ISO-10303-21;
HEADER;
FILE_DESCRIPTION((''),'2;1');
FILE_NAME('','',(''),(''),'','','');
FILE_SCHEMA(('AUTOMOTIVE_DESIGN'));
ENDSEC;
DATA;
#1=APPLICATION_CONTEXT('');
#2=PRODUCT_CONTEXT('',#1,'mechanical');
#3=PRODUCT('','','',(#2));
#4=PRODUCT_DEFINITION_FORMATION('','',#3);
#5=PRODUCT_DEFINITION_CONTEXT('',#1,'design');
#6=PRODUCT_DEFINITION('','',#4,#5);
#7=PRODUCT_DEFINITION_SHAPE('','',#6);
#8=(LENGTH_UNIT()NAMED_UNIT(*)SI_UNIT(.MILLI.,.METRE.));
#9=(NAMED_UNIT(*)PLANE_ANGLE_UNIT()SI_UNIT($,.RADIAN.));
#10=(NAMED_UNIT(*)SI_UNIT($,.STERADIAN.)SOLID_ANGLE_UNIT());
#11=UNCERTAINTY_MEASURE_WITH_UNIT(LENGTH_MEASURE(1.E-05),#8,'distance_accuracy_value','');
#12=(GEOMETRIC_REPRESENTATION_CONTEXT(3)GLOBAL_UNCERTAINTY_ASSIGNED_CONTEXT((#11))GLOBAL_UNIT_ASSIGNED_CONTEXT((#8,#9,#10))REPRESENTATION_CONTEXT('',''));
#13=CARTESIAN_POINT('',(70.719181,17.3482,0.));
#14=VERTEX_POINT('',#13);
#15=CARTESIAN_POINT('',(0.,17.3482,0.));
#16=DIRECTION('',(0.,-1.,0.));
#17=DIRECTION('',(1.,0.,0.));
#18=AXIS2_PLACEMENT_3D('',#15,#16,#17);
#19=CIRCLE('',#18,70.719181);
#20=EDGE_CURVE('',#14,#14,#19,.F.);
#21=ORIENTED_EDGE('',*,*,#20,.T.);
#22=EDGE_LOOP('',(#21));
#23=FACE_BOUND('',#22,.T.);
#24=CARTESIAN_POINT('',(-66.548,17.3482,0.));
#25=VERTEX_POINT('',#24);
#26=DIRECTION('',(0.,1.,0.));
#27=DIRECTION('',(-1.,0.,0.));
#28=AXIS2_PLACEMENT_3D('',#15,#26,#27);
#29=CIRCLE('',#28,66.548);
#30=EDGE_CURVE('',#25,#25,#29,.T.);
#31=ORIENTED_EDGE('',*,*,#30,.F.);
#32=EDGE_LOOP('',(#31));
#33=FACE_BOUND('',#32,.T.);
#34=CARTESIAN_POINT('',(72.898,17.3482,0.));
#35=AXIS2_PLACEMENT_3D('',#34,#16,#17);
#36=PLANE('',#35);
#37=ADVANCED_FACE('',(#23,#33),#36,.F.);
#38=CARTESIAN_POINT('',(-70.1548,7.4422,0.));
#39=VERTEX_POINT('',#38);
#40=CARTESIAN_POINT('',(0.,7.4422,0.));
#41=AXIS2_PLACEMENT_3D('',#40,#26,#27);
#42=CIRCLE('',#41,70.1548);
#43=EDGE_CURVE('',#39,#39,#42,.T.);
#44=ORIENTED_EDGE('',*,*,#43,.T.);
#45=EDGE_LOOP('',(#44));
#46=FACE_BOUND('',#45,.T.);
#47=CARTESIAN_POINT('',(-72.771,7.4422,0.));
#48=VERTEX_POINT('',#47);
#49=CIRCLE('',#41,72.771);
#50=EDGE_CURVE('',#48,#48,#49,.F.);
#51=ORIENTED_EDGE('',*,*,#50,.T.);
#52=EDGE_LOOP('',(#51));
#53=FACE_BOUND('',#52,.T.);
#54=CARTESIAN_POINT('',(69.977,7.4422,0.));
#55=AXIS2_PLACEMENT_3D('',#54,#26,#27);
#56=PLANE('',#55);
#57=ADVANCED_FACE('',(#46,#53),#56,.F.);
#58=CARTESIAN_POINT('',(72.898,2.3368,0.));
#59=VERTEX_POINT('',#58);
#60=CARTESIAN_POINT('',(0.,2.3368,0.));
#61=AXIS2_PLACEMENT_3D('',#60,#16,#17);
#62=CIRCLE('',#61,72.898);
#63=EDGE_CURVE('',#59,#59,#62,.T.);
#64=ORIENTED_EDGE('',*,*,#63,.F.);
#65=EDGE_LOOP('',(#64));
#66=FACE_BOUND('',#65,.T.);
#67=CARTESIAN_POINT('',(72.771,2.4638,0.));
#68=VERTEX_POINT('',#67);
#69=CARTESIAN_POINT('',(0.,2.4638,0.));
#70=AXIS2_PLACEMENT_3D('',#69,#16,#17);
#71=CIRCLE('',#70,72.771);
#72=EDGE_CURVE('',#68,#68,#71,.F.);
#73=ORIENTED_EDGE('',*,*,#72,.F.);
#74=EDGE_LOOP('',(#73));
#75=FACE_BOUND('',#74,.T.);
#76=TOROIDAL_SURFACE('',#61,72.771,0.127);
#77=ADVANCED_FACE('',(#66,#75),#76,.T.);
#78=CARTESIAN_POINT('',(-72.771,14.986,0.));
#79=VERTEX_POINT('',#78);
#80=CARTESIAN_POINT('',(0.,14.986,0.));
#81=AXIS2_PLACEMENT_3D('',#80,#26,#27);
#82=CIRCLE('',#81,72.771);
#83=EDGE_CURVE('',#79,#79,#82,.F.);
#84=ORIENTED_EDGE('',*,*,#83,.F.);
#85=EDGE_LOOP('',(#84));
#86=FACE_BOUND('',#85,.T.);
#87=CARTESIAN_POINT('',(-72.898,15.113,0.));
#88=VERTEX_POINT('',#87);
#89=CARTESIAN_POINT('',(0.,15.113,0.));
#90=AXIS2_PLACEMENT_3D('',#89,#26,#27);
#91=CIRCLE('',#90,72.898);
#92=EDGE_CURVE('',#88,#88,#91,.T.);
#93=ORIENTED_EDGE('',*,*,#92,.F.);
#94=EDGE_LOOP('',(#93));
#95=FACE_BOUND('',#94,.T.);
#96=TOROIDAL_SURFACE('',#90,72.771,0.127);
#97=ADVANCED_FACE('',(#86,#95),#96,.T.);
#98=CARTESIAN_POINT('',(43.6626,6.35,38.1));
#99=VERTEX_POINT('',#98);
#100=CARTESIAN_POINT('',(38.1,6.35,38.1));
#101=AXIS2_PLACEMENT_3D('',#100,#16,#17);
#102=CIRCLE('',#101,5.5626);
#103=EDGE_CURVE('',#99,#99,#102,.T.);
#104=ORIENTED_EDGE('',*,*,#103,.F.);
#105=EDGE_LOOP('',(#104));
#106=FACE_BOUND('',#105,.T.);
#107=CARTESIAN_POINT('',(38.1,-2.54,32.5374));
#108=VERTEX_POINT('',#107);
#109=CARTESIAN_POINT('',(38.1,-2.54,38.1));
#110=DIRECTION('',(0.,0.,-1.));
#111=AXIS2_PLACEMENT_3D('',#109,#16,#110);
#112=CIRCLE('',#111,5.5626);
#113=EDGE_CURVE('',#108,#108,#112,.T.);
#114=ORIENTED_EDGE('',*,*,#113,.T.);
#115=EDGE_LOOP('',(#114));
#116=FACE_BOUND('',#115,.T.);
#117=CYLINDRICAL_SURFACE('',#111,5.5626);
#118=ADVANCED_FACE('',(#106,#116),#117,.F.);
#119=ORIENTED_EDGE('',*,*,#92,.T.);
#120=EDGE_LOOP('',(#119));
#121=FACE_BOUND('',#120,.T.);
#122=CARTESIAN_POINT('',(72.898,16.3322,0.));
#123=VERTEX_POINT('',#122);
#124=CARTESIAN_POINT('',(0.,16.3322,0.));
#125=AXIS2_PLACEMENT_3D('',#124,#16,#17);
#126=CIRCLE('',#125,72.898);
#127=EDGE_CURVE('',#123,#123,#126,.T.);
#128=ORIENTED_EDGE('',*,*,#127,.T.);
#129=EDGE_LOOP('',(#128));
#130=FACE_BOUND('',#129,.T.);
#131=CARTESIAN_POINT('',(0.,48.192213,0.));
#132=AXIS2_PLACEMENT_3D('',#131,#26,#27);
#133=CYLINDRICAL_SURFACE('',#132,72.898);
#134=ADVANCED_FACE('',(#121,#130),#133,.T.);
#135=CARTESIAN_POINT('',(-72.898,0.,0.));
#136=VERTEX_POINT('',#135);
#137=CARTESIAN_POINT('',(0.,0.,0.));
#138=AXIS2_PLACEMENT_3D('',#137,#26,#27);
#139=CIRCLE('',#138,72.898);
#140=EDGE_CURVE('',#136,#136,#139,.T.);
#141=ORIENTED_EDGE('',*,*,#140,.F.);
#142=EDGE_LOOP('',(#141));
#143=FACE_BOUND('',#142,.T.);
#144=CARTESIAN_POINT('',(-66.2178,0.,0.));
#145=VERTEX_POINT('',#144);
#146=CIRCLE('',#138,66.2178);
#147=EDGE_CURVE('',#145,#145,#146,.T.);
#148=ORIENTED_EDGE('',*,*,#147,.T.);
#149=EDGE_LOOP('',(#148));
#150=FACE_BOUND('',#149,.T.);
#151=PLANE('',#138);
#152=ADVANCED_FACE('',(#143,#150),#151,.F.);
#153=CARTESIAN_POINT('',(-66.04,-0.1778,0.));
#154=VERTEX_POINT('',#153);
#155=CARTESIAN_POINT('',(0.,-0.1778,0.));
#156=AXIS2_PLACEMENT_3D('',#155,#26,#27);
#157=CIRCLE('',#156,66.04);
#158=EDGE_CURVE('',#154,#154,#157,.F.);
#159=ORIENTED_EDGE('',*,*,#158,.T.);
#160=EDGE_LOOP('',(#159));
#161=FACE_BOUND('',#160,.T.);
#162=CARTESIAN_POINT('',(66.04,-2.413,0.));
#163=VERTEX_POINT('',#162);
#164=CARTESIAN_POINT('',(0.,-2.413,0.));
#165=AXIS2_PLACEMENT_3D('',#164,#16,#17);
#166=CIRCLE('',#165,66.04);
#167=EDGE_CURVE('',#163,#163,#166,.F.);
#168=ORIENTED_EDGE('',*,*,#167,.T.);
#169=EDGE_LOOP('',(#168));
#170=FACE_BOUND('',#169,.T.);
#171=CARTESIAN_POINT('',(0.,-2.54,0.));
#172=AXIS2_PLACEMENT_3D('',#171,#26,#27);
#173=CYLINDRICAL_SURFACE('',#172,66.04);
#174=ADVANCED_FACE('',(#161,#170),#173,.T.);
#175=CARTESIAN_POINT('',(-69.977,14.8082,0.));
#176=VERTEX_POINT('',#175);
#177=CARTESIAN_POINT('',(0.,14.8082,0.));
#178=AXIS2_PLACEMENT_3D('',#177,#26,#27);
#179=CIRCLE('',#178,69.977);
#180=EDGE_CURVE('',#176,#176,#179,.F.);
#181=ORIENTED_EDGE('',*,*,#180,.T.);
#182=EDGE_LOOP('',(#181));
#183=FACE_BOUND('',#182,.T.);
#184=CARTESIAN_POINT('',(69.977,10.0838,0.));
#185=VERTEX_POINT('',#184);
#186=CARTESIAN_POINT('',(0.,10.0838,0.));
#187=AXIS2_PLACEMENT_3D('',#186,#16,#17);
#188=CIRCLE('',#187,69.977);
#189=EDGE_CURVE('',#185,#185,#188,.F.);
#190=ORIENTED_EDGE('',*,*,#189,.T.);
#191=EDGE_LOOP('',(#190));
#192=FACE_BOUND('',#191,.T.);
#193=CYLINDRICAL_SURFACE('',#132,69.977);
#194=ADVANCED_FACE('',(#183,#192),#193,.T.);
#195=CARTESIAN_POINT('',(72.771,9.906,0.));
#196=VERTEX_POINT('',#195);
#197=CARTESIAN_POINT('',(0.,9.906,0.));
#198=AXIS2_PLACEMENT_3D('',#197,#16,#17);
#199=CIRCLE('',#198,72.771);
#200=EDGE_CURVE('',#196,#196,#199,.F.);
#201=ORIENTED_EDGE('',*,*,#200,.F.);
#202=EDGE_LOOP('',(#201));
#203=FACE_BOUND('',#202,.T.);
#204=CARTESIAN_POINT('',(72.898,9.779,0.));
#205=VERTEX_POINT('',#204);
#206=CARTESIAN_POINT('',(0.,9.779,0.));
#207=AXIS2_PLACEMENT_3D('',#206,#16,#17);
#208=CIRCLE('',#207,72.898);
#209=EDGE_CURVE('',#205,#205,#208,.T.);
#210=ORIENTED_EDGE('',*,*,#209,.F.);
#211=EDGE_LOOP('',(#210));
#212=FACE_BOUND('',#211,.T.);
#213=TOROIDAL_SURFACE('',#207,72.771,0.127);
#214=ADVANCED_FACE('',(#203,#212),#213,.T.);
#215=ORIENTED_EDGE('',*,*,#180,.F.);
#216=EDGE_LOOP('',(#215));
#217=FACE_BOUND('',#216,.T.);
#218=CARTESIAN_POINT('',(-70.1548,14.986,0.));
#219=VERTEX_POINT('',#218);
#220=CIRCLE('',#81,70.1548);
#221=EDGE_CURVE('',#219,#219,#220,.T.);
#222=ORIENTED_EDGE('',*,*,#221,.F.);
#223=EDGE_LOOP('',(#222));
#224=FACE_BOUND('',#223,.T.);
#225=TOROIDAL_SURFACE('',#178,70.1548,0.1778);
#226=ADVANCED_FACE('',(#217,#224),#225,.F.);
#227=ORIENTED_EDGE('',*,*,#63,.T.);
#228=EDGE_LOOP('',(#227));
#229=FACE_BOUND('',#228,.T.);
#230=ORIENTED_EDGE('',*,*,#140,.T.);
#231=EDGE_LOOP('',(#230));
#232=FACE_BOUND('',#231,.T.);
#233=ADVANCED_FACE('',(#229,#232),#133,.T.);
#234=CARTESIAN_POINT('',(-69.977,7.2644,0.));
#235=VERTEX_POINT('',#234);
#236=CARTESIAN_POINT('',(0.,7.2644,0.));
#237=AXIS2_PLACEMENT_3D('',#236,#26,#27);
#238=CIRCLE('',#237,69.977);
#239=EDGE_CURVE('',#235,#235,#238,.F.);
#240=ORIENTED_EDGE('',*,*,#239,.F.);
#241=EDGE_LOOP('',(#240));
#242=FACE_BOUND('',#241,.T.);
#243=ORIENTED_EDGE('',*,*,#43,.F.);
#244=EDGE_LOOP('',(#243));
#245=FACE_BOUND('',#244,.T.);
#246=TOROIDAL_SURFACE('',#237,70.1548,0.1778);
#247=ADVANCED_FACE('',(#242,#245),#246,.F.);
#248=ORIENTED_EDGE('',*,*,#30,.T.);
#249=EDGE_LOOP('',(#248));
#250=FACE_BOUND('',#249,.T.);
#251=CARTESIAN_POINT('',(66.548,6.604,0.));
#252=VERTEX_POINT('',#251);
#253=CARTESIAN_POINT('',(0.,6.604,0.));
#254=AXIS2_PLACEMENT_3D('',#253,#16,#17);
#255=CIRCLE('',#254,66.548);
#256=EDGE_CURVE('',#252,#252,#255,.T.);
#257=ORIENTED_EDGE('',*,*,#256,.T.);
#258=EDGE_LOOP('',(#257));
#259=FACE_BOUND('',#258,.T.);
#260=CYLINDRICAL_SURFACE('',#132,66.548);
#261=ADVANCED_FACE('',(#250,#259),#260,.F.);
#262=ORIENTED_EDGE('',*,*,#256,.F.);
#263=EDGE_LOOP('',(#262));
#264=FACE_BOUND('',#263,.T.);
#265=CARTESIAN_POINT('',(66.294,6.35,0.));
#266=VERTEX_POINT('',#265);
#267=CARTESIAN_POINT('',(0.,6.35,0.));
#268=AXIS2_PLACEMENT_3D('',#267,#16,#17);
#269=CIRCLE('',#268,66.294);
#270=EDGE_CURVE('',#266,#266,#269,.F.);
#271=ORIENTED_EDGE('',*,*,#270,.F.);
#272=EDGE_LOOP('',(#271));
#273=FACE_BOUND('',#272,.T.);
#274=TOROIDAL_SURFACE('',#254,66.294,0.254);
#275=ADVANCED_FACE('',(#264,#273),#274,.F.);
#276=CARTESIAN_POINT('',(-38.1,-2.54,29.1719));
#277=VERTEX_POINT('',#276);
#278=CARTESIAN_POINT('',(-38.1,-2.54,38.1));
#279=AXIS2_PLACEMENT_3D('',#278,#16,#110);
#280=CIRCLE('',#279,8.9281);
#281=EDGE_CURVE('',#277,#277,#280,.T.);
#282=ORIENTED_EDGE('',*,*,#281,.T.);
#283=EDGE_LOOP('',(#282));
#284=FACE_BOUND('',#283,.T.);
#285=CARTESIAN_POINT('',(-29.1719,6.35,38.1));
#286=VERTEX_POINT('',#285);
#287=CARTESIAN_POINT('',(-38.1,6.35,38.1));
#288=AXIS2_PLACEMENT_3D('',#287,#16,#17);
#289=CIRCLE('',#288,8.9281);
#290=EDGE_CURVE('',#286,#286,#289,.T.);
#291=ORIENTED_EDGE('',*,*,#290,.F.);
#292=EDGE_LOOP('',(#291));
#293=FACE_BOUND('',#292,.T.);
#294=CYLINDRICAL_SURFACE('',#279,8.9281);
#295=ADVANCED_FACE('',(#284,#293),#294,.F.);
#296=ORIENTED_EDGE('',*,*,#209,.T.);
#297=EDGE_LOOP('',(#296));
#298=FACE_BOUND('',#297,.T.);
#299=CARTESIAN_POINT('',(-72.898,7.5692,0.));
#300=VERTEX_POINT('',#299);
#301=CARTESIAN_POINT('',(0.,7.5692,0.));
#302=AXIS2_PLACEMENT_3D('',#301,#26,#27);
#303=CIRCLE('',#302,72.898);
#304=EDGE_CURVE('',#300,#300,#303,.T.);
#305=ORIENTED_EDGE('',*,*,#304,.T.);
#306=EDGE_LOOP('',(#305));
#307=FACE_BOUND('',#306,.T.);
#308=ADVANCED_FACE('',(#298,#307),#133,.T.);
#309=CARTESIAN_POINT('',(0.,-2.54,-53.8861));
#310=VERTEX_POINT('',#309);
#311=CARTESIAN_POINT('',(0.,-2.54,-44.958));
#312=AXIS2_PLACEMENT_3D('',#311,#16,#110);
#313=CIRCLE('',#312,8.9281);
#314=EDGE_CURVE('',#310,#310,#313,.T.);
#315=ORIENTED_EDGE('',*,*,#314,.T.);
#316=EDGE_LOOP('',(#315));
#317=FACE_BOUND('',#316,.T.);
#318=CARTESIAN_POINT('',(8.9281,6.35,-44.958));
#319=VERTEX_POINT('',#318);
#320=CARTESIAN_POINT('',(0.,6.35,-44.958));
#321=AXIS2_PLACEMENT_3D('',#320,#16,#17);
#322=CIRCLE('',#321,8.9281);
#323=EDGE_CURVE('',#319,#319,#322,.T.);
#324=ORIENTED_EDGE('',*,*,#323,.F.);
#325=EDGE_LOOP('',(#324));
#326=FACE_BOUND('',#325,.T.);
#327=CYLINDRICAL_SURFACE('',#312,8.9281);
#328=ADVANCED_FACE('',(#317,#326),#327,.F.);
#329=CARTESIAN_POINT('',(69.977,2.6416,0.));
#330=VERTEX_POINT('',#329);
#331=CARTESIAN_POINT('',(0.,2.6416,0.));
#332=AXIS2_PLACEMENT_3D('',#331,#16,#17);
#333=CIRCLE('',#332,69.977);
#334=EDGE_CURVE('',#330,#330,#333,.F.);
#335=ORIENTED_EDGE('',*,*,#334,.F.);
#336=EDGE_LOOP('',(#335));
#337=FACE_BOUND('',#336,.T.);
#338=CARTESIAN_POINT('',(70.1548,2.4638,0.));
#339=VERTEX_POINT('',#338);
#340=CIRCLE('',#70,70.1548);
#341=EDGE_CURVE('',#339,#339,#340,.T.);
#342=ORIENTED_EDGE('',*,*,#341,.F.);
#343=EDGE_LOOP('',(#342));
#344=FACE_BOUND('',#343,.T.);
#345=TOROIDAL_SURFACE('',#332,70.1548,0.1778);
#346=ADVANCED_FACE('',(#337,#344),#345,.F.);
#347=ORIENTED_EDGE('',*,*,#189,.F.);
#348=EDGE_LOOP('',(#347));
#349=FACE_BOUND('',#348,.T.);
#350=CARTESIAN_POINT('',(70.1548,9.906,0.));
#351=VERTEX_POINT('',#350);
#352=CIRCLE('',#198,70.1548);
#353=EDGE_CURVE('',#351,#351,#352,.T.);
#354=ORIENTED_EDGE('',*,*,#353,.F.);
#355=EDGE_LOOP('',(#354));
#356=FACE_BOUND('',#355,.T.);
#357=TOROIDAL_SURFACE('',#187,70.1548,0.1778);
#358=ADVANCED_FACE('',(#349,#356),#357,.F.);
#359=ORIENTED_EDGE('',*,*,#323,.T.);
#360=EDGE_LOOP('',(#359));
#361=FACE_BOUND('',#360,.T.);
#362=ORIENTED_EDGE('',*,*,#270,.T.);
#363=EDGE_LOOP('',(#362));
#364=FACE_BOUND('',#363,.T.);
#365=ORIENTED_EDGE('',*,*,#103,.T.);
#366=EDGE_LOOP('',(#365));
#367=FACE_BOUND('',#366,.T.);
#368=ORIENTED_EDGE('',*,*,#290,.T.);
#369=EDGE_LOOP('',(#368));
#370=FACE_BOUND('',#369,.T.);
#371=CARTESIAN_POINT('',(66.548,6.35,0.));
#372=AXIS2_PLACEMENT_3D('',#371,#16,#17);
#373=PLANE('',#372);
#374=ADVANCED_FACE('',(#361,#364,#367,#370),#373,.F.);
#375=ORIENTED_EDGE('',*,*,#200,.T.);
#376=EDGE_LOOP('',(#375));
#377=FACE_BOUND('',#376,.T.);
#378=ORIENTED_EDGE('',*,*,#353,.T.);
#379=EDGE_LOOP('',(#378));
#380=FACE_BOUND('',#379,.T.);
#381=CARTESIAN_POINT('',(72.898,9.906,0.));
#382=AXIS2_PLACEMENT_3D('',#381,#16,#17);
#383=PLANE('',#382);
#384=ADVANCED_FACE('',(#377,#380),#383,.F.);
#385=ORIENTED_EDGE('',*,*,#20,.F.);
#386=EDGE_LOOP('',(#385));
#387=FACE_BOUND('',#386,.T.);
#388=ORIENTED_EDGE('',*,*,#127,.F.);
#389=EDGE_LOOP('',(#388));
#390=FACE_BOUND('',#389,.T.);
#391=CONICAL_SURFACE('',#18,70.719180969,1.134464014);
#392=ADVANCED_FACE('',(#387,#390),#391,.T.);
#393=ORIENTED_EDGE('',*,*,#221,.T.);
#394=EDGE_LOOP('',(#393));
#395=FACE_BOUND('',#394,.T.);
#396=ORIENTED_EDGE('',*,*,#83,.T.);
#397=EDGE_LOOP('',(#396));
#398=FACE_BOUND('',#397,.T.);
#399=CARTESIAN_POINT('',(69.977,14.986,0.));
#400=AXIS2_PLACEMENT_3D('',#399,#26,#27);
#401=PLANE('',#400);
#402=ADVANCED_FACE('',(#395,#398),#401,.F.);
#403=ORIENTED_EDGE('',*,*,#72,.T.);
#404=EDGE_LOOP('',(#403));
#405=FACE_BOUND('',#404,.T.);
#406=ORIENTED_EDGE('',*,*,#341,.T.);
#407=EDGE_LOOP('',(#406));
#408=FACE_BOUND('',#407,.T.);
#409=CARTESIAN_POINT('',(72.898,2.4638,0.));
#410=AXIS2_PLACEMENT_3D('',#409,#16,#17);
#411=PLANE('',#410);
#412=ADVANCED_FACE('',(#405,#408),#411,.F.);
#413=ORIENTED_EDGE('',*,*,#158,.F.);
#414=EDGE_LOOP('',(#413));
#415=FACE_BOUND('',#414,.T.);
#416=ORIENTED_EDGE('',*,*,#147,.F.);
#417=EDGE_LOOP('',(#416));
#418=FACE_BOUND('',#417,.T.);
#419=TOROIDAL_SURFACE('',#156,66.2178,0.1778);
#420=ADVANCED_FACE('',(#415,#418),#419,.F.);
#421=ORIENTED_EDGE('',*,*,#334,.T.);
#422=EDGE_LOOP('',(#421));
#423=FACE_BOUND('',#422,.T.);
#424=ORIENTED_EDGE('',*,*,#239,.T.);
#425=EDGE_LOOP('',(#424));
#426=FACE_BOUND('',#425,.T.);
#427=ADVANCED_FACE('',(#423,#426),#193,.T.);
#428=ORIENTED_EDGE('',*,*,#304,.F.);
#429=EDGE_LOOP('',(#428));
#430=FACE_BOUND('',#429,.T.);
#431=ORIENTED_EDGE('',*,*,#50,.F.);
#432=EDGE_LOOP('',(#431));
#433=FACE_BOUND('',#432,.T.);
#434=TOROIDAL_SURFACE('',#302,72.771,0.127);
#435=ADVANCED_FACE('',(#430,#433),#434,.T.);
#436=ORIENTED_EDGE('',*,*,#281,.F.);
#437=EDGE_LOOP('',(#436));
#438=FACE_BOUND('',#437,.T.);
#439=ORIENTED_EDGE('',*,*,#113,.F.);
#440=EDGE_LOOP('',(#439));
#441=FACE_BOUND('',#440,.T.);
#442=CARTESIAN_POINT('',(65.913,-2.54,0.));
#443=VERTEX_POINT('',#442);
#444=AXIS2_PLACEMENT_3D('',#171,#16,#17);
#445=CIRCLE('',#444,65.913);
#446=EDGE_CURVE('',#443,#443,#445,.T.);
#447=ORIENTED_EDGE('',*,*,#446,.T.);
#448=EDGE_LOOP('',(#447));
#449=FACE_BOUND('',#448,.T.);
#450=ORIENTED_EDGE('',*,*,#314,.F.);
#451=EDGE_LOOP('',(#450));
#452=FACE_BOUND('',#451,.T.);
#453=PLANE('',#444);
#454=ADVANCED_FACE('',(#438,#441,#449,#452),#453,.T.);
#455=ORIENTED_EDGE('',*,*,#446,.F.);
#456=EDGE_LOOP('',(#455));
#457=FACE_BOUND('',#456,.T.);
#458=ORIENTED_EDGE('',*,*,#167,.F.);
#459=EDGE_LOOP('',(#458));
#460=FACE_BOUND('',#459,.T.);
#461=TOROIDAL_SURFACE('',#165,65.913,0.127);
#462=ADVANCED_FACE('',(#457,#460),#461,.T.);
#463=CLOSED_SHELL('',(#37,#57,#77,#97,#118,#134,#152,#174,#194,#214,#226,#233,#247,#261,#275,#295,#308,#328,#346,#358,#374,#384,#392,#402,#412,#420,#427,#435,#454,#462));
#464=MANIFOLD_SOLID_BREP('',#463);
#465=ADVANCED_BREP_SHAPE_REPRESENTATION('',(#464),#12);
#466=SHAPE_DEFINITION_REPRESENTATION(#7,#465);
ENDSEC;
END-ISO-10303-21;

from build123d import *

# Parameters (mm, degrees)
SKETCH6_R                                = 66.04
BOSS_EXTRUDE1_DEPTH                      = 2.54
CNC_ID_FILLET_R                          = 0.1778
CNC_OD_FILLET_R                          = 0.127
CNC_CHAMFERS_SIZE                        = 1.016
CNC_CHAMFERS_SIZE2                       = 2.178819031
CNC_BORE_FILLET_R                        = 0.254
PIPE_TAP_DRILL_FOR_1_2_TAP_FILL_VALVE_D  = 17.8562
PIPE_TAP_DRILL_FOR_1_4_TAP_SOLENOID_VA_D = 11.1252
PIPE_TAP_DRILL_FOR_1_2_TAP_CRYO_VALVE_D  = 17.8562


with BuildPart() as part:
    # Sketch1 → Revolve1 (revolve)
    with BuildSketch(Plane.XY, mode=Mode.PRIVATE) as revolve1_sk:
        Polygon((0, 0), (72.898, 0), (72.898, 2.4638), (69.977, 2.4638), (69.977, 7.4422), (72.898, 7.4422), (72.898, 9.906), (69.977, 9.906), (69.977, 14.986), (72.898, 14.986), (72.898, 17.3482), (66.548, 17.3482), (66.548, 6.35), (0, 6.35), align=None)
    revolve(revolve1_sk.sketch.rotate(Axis((0, 48.192213231, 0), (0, -1, 0)), 180), axis=Axis((0, 48.192213231, 0), (0, -1, 0)))

    # Sketch6 → Boss-Extrude1 (add)
    with BuildSketch(Plane.XZ):
        Circle(SKETCH6_R)
    extrude(amount=BOSS_EXTRUDE1_DEPTH)

    # CNC ID Fillet
    cnc_id_fillet_edges = [part.edges().sort_by_distance(p)[0] for p in [
        (69.977, 14.986, 0),
        (69.977, 9.906, 0),
        (69.977, 7.4422, 0),
        (69.977, 2.4638, 0),
        (-66.04, 0, 0),
    ]]
    fillet(cnc_id_fillet_edges, radius=CNC_ID_FILLET_R)

    # CNC OD Fillet
    cnc_od_fillet_edges = [part.edges().sort_by_distance(p)[0] for p in [
        (72.898, 14.986, 0),
        (72.898, 9.906, 0),
        (72.898, 7.4422, 0),
        (72.898, 2.4638, 0),
        (-66.04, -2.54, 0),
    ]]
    fillet(cnc_od_fillet_edges, radius=CNC_OD_FILLET_R)

    # CNC Chamfers
    cnc_chamfers_edges = [part.edges().sort_by_distance(p)[0] for p in [
        (72.898, 17.3482, 0),
    ]]
    cnc_chamfers_side = [part.faces().sort_by_distance(p)[0] for p in [
        (72.898, 16.2306, 0),
    ]]
    chamfer(cnc_chamfers_edges, length=CNC_CHAMFERS_SIZE, length2=CNC_CHAMFERS_SIZE2, reference=cnc_chamfers_side[0])

    # CNC Bore Fillet
    cnc_bore_fillet_edges = [part.edges().sort_by_distance(p)[0] for p in [
        (66.548, 6.35, 0),
    ]]
    fillet(cnc_bore_fillet_edges, radius=CNC_BORE_FILLET_R)

    # Pipe Tap Drill for 1/2 Tap - Fill Valve (through all)
    with Locations(Plane(origin=(0, -2.54, 0), x_dir=(-1, 0, 0), z_dir=(0, -1, 0))):
        with Locations((0, 44.958)):
            Hole(PIPE_TAP_DRILL_FOR_1_2_TAP_FILL_VALVE_D / 2)

    # Pipe Tap Drill for 1/4 Tap - Solenoid Valve (through all)
    with Locations(Plane(origin=(0, -2.54, 0), x_dir=(-1, 0, 0), z_dir=(0, -1, 0))):
        with Locations((-38.1, -38.1)):
            Hole(PIPE_TAP_DRILL_FOR_1_4_TAP_SOLENOID_VA_D / 2)

    # Pipe Tap Drill for 1/2 Tap - Cryo Valve (through all)
    with Locations(Plane(origin=(0, -2.54, 0), x_dir=(-1, 0, 0), z_dir=(0, -1, 0))):
        with Locations((38.1, -38.1)):
            Hole(PIPE_TAP_DRILL_FOR_1_2_TAP_CRYO_VALVE_D / 2)


solid = part.part
